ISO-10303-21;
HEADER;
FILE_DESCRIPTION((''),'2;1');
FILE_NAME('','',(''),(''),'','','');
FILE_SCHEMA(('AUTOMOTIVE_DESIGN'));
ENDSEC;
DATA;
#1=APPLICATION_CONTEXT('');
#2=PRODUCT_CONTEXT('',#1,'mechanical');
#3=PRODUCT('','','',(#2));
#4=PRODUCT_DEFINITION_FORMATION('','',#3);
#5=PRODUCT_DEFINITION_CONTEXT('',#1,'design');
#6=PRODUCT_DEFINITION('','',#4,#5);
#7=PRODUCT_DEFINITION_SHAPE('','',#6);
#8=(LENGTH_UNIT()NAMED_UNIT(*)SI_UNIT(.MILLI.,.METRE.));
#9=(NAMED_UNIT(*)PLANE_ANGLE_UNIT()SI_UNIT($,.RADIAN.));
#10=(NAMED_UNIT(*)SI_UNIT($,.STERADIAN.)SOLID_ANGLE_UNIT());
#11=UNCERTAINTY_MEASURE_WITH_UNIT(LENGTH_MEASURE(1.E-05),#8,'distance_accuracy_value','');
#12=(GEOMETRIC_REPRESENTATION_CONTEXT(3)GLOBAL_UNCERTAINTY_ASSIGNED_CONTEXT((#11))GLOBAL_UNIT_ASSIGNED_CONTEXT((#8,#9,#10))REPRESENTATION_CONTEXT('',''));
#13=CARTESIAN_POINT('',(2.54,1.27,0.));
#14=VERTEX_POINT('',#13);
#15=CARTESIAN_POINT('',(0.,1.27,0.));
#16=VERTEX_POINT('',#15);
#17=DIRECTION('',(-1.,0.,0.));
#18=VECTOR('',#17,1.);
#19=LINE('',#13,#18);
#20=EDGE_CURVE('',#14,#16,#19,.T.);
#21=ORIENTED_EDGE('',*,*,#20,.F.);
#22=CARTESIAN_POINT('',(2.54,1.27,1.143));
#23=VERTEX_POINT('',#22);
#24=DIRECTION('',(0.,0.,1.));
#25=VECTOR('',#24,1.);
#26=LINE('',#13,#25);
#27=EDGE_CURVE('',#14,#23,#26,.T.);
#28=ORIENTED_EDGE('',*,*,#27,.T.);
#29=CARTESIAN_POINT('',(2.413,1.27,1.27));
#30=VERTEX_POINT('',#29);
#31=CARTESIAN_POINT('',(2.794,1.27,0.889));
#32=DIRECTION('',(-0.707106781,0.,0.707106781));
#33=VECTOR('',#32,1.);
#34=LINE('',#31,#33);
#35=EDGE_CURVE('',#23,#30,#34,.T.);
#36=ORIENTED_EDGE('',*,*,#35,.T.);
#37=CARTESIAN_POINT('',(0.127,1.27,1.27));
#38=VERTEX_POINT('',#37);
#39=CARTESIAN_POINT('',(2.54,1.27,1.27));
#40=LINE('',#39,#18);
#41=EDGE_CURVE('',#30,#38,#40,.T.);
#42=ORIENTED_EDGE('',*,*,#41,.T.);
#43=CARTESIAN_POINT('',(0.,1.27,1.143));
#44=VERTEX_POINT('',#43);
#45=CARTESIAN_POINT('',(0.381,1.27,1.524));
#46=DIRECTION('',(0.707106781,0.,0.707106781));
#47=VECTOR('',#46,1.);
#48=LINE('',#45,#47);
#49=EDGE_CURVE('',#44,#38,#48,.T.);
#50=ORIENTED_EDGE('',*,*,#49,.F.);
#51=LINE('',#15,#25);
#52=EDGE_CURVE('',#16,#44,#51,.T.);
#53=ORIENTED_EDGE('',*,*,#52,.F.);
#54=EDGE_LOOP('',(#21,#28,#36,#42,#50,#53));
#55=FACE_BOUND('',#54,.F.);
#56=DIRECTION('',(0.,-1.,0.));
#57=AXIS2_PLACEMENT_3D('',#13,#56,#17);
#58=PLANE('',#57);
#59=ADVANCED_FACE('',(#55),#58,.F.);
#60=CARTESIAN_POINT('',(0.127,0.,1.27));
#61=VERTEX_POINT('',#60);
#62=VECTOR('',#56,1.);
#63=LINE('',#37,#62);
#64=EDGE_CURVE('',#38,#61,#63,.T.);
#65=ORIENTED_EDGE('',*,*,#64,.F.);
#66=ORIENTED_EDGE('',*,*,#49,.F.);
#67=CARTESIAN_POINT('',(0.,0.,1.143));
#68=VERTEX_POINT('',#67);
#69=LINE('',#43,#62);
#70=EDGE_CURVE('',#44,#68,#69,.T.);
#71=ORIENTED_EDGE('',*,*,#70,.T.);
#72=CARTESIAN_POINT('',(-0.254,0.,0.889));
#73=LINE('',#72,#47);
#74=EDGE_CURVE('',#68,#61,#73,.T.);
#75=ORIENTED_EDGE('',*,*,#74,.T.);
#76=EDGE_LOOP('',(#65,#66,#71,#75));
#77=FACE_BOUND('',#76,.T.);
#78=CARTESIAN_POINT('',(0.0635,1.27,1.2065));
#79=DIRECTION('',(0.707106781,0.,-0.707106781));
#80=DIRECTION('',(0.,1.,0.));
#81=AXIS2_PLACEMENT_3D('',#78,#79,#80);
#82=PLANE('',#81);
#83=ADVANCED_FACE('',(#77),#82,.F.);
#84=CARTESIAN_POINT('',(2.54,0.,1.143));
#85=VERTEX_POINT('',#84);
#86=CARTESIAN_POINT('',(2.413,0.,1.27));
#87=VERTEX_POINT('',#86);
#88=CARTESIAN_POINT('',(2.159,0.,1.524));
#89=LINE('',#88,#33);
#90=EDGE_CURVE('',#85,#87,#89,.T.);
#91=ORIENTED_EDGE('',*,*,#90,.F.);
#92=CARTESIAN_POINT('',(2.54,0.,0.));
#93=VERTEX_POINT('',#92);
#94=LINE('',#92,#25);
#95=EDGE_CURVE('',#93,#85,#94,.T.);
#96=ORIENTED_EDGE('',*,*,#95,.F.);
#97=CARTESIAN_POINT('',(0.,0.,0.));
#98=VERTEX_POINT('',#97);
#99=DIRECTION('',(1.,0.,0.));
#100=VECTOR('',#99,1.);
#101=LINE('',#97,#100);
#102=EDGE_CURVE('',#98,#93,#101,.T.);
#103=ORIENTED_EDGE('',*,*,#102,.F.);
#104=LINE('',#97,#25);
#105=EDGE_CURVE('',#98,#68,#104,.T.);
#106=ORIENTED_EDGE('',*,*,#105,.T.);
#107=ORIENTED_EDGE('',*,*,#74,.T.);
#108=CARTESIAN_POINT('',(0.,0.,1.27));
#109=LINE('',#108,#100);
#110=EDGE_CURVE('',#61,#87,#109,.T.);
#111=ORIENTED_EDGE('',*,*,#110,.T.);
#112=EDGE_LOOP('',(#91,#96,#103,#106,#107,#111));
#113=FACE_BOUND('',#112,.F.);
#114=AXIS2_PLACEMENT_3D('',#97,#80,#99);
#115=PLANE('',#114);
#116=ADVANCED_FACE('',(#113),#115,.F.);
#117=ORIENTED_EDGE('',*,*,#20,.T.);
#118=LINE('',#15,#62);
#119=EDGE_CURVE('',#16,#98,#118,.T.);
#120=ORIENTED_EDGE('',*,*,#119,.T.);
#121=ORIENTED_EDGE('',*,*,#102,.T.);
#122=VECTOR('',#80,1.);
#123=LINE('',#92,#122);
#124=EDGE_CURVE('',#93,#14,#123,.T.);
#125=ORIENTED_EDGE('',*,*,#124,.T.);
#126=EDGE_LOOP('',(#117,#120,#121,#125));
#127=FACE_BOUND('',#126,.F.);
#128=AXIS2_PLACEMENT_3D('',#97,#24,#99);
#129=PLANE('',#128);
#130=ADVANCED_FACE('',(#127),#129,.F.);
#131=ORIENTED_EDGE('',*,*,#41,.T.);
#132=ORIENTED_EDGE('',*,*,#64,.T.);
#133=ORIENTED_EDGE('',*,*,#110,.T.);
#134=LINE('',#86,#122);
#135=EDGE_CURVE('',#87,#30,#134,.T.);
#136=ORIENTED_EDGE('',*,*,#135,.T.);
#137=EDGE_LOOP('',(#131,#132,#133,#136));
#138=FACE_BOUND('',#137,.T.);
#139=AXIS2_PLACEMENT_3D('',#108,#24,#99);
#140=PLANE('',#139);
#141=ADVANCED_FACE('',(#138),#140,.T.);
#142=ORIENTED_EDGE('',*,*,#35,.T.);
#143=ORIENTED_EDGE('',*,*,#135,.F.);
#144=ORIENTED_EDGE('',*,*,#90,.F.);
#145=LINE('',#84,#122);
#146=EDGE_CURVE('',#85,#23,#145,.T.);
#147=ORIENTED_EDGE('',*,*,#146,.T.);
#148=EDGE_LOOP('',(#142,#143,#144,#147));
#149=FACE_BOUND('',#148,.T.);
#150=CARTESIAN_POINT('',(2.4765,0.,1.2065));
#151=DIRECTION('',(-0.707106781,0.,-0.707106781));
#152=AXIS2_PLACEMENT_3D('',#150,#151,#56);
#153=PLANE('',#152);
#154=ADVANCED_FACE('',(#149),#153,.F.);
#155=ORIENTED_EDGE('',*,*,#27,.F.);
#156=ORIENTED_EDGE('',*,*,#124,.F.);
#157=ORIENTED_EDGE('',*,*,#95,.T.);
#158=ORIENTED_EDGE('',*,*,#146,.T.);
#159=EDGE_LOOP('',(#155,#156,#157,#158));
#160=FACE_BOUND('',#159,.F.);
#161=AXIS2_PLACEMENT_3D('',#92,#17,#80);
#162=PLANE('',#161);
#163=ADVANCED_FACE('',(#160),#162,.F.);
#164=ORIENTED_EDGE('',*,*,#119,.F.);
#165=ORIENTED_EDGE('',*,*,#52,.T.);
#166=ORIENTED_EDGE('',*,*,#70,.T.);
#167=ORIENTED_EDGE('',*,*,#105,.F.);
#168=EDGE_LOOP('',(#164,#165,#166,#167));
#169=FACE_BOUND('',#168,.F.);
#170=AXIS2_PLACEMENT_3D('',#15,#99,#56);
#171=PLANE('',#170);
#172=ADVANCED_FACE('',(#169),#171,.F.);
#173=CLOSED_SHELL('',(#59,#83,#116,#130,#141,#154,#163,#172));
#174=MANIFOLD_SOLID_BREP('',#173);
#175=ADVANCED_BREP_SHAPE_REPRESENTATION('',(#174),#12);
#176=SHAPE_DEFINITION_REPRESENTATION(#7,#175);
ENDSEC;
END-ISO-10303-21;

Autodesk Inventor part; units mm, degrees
ref_plane "YZ Plane" through (0, 0, 0) normal (1, 0, 0) x (0, 1, 0)
ref_plane "XZ Plane" through (0, 0, 0) normal (0, 1, 0) x (-1, 0, 0)
ref_plane "XY Plane" through (0, 0, 0) normal (0, 0, 1) x (1, 0, 0)
sketch "Sketch1" plane through (0, 0, 0) normal (0, 0, 1) x (1, 0, 0)
  line L0 (0, 0) -> (2.54, 0)
  line L1 (2.54, 0) -> (2.54, 1.27)
  line L2 (2.54, 1.27) -> (0, 1.27)
  line L3 (0, 1.27) -> (0, 0)
  dimension "d0" = 2.54
  dimension "d1" = 1.27
extrude "Extrusion1" add sketch "Sketch1" along normal blind 1.27
chamfer "Chamfer1" distance 0.127 angle 45 2 edges at (0, 0.635, 1.27) (2.54, 0.635, 1.27)
properties material "Phenolic Resin"
